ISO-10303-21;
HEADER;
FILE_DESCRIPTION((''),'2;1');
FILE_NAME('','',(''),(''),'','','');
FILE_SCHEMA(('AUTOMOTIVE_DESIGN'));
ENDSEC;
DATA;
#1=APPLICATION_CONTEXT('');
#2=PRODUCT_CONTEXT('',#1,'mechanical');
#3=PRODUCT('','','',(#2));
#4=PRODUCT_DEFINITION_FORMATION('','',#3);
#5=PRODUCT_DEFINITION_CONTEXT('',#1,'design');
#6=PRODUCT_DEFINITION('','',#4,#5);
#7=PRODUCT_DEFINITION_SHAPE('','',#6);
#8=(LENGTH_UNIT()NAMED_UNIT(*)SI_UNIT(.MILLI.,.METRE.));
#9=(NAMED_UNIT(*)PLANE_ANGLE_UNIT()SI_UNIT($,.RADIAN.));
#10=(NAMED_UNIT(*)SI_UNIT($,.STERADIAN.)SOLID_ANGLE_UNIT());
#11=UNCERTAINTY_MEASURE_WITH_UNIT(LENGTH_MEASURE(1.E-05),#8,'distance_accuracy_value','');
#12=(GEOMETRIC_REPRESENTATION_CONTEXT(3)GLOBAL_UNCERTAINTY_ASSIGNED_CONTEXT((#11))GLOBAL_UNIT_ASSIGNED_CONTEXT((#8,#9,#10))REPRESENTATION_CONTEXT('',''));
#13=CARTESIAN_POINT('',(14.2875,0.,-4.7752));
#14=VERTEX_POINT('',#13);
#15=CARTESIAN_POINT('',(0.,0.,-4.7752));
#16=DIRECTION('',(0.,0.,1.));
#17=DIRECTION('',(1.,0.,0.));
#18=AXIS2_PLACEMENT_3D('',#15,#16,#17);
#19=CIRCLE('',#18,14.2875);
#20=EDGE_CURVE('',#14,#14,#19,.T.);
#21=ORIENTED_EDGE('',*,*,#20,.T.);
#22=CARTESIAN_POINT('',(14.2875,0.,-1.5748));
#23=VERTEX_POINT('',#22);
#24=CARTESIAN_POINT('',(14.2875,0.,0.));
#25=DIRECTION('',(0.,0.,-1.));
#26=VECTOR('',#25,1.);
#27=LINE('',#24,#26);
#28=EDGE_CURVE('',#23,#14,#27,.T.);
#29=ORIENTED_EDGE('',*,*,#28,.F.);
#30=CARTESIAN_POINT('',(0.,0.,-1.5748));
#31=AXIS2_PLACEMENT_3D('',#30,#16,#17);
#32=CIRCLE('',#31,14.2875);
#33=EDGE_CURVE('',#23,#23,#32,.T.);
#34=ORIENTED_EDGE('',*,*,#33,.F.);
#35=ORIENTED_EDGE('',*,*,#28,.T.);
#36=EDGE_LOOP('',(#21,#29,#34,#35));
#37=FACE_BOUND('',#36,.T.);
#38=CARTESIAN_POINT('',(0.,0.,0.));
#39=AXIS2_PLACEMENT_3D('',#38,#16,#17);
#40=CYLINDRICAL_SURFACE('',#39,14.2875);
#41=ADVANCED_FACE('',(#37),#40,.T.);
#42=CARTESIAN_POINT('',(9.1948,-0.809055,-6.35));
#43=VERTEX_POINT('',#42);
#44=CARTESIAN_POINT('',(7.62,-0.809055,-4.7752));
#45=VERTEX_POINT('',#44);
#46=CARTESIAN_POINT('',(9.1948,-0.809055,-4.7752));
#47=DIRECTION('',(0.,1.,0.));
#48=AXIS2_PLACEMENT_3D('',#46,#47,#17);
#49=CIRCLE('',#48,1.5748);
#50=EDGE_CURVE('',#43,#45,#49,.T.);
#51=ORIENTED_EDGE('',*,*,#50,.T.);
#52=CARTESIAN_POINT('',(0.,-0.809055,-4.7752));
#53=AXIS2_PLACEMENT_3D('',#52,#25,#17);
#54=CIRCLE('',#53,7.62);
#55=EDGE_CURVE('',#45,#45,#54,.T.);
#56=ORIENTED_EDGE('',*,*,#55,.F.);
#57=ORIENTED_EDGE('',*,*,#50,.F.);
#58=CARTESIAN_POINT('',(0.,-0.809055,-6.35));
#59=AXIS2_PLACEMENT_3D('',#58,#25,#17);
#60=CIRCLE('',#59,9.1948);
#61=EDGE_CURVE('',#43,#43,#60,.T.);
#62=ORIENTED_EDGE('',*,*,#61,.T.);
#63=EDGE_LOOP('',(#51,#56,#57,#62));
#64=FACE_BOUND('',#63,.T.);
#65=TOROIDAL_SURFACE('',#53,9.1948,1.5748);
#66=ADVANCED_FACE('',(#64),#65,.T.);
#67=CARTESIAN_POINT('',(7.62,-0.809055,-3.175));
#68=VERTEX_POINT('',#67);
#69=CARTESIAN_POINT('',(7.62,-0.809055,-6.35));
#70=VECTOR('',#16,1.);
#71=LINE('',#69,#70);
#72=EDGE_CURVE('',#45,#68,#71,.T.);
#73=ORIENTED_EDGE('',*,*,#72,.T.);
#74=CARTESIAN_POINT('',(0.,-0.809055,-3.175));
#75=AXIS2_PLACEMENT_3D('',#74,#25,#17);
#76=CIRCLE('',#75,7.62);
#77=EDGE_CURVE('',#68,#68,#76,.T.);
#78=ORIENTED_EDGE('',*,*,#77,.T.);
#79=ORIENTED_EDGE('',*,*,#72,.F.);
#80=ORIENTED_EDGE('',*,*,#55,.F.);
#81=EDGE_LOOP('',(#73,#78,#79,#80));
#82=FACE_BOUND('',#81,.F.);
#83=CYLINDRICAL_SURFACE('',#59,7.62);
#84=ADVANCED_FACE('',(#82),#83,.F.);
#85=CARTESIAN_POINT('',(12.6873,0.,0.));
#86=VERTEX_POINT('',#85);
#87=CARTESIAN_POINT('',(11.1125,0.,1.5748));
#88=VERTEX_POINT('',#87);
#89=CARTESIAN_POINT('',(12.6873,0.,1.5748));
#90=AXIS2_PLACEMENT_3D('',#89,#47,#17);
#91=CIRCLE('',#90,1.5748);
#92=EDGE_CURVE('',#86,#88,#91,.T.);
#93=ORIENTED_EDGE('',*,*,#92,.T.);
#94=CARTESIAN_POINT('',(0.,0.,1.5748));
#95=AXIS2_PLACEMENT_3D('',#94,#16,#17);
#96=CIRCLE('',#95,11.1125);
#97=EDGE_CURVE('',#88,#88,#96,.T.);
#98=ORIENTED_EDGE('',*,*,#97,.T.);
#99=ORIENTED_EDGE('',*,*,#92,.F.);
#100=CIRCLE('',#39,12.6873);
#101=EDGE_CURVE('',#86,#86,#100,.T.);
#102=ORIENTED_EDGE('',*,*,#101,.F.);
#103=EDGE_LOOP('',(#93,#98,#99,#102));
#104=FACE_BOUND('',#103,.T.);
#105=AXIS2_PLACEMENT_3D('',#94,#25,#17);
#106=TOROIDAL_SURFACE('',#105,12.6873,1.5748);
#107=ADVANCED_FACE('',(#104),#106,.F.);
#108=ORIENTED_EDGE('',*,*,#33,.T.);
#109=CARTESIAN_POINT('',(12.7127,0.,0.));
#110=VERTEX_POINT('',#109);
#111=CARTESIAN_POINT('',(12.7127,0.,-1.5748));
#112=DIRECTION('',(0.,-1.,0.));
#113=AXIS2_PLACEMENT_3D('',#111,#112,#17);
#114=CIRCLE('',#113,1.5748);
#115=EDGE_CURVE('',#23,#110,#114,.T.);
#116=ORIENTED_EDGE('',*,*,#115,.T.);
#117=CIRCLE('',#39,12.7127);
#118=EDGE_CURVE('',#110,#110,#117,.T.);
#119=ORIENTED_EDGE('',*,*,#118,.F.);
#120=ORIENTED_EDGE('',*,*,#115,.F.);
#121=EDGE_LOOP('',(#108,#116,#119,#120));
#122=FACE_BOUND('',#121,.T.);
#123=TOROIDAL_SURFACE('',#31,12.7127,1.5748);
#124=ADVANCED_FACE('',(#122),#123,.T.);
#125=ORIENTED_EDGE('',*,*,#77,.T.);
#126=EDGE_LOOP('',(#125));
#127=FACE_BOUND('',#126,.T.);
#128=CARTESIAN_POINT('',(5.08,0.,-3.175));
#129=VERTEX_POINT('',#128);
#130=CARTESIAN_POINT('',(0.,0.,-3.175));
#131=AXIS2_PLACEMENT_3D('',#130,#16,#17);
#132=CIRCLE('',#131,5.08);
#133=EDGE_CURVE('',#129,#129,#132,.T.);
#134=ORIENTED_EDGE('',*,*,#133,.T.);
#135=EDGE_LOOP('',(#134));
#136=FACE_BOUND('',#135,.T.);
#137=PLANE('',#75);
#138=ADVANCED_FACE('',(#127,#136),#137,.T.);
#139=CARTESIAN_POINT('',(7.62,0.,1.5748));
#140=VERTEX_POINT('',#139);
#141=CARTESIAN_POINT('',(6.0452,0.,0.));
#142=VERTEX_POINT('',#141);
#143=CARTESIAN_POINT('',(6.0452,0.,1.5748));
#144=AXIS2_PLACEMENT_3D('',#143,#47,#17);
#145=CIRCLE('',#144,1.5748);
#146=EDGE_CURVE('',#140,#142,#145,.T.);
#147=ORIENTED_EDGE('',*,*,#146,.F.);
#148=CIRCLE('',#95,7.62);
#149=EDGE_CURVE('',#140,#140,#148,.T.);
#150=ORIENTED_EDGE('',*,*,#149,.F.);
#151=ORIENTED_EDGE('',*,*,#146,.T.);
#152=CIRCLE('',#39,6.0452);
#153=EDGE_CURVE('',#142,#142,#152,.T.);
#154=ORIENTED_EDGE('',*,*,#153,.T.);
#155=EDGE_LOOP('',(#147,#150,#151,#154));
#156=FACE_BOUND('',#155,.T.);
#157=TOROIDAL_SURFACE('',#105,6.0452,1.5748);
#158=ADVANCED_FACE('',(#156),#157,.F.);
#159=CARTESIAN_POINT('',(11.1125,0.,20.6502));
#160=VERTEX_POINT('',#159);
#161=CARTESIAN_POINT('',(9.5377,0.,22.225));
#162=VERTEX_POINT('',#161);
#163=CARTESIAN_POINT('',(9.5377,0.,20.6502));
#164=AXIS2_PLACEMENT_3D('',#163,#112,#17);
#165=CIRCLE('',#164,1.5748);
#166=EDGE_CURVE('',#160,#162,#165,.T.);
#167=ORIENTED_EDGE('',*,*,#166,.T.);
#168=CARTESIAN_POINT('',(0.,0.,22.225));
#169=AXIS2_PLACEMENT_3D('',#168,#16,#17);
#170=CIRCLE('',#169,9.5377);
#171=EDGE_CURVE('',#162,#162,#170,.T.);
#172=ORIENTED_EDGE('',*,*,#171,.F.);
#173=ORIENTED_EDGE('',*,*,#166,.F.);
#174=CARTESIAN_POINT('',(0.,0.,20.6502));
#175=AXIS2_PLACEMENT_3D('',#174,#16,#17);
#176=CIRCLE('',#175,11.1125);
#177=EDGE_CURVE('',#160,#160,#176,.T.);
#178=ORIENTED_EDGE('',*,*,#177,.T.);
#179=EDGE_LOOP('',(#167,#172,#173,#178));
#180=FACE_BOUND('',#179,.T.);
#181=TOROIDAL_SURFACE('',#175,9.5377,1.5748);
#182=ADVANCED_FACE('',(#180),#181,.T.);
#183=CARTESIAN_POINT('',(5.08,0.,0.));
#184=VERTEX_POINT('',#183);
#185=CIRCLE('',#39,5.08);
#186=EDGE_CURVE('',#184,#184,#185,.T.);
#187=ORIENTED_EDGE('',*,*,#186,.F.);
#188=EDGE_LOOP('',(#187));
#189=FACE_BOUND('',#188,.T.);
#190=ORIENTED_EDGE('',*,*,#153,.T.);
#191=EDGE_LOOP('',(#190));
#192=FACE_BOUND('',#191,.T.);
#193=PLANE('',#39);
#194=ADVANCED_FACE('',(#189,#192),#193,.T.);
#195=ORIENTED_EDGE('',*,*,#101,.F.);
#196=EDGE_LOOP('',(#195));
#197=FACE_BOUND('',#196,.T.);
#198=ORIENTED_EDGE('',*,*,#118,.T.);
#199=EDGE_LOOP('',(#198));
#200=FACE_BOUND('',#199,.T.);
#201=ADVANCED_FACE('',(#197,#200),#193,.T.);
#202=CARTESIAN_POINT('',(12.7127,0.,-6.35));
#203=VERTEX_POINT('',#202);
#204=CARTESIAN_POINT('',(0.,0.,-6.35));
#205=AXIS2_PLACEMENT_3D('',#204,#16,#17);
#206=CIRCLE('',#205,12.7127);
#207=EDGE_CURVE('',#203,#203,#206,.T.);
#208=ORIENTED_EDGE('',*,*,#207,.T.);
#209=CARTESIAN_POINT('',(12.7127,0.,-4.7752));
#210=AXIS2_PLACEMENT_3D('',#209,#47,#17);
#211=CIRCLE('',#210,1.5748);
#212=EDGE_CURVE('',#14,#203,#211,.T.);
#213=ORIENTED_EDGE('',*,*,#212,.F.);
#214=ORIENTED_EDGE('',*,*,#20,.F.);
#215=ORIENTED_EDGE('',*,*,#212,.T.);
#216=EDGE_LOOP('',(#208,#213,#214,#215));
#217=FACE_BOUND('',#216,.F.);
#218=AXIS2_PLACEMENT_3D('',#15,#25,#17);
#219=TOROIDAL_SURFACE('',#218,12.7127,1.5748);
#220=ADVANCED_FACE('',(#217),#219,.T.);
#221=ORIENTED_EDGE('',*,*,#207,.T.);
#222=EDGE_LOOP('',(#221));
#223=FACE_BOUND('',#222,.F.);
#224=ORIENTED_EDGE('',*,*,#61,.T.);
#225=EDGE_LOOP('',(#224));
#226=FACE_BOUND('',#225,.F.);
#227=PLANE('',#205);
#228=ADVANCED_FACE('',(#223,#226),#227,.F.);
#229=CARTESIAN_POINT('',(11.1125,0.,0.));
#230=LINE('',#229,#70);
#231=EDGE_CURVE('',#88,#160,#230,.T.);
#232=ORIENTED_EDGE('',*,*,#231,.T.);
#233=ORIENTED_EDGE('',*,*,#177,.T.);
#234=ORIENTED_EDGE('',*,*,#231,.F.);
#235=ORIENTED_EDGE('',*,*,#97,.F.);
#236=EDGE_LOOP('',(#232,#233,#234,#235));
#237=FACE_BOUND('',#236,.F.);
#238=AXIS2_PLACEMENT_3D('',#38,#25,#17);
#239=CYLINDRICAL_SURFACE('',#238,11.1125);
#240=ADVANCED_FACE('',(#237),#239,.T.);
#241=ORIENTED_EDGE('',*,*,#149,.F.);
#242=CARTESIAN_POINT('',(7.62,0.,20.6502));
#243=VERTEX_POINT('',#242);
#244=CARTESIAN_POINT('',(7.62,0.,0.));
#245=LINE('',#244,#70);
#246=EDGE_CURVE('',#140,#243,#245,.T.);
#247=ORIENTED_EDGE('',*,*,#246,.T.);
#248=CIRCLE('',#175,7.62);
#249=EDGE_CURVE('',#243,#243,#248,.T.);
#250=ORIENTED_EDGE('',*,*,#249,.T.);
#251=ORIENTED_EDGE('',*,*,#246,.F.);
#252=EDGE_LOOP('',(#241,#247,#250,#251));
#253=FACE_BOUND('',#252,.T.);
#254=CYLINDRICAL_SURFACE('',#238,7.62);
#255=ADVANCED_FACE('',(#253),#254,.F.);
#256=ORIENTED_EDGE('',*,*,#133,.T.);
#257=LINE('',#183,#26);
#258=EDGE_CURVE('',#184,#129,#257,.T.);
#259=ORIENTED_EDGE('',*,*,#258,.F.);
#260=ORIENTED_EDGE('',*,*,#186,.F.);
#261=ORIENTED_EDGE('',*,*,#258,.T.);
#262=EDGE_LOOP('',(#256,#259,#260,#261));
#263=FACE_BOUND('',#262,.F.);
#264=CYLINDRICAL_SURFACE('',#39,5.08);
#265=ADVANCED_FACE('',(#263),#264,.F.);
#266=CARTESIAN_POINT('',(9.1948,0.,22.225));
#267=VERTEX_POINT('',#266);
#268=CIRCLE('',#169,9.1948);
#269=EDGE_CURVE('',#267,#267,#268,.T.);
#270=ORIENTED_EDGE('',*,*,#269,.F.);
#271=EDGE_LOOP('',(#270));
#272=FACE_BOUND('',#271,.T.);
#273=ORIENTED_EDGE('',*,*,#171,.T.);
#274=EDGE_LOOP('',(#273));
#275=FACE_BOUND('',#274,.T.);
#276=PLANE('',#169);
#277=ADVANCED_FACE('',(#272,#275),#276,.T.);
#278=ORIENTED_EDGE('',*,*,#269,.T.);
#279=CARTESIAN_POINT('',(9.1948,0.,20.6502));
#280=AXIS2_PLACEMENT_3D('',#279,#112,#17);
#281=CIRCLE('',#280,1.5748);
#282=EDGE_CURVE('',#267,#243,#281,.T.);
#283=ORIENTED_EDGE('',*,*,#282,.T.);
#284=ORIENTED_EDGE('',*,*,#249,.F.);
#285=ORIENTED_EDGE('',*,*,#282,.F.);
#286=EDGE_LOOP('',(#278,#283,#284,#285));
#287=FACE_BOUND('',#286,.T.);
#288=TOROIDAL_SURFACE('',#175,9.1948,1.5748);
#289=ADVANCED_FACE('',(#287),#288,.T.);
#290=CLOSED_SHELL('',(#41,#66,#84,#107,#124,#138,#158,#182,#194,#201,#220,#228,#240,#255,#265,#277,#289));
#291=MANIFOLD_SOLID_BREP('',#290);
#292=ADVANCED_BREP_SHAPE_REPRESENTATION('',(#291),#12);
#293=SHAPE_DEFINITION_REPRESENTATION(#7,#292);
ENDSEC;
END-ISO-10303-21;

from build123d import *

# Parameters (mm, degrees)
F0_R     = 11.1125
F0_R_2   = 7.62
F1_DEPTH = 22.225
F0_R_3   = 14.2875
F0_R_4   = 5.08
F2_DEPTH = 6.35
F3_R     = 7.62
F4_DEPTH = 3.175
F5_R     = 1.5748


with BuildPart() as f1:
    # F0 (on Top) → F1 (new body)
    with BuildSketch(Plane.XY):
        Circle(F0_R)
        Circle(F0_R_2, mode=Mode.SUBTRACT)
    extrude(amount=F1_DEPTH)

    # F0 (on Top) → F2 (join)
    with BuildSketch(Plane.XY):
        Circle(F0_R_3)
        Circle(F0_R, mode=Mode.SUBTRACT)
        Circle(F0_R)
        Circle(F0_R_2, mode=Mode.SUBTRACT)
        Circle(F0_R_2)
        Circle(F0_R_4, mode=Mode.SUBTRACT)
    extrude(amount=-F2_DEPTH)

    # F3 (on face) → F4 (cut)
    with BuildSketch(Plane(origin=(0, 0, -6.35), x_dir=(1, 0, 0), z_dir=(0, 0, -1))):
        with Locations((0, 0.809055)):
            Circle(F3_R)
    extrude(amount=-F4_DEPTH, mode=Mode.SUBTRACT)

    # F5
    f5_edges = [f1.edges().sort_by_distance(p)[0] for p in [
        (7.62, 0, 11.1125),
        (-7.62, 0, 0),
        (-7.62, 0, 22.225),
        (11.1125, 0, 11.1125),
        (-11.1125, 0, 0),
        (-11.1125, 0, 22.225),
        (14.2875, 0, -3.175),
        (-14.2875, 0, 0),
        (-14.2875, 0, -6.35),
        (-7.62, -0.809055, -6.35),
    ]]
    fillet(f5_edges, radius=F5_R)


solid = f1.part
